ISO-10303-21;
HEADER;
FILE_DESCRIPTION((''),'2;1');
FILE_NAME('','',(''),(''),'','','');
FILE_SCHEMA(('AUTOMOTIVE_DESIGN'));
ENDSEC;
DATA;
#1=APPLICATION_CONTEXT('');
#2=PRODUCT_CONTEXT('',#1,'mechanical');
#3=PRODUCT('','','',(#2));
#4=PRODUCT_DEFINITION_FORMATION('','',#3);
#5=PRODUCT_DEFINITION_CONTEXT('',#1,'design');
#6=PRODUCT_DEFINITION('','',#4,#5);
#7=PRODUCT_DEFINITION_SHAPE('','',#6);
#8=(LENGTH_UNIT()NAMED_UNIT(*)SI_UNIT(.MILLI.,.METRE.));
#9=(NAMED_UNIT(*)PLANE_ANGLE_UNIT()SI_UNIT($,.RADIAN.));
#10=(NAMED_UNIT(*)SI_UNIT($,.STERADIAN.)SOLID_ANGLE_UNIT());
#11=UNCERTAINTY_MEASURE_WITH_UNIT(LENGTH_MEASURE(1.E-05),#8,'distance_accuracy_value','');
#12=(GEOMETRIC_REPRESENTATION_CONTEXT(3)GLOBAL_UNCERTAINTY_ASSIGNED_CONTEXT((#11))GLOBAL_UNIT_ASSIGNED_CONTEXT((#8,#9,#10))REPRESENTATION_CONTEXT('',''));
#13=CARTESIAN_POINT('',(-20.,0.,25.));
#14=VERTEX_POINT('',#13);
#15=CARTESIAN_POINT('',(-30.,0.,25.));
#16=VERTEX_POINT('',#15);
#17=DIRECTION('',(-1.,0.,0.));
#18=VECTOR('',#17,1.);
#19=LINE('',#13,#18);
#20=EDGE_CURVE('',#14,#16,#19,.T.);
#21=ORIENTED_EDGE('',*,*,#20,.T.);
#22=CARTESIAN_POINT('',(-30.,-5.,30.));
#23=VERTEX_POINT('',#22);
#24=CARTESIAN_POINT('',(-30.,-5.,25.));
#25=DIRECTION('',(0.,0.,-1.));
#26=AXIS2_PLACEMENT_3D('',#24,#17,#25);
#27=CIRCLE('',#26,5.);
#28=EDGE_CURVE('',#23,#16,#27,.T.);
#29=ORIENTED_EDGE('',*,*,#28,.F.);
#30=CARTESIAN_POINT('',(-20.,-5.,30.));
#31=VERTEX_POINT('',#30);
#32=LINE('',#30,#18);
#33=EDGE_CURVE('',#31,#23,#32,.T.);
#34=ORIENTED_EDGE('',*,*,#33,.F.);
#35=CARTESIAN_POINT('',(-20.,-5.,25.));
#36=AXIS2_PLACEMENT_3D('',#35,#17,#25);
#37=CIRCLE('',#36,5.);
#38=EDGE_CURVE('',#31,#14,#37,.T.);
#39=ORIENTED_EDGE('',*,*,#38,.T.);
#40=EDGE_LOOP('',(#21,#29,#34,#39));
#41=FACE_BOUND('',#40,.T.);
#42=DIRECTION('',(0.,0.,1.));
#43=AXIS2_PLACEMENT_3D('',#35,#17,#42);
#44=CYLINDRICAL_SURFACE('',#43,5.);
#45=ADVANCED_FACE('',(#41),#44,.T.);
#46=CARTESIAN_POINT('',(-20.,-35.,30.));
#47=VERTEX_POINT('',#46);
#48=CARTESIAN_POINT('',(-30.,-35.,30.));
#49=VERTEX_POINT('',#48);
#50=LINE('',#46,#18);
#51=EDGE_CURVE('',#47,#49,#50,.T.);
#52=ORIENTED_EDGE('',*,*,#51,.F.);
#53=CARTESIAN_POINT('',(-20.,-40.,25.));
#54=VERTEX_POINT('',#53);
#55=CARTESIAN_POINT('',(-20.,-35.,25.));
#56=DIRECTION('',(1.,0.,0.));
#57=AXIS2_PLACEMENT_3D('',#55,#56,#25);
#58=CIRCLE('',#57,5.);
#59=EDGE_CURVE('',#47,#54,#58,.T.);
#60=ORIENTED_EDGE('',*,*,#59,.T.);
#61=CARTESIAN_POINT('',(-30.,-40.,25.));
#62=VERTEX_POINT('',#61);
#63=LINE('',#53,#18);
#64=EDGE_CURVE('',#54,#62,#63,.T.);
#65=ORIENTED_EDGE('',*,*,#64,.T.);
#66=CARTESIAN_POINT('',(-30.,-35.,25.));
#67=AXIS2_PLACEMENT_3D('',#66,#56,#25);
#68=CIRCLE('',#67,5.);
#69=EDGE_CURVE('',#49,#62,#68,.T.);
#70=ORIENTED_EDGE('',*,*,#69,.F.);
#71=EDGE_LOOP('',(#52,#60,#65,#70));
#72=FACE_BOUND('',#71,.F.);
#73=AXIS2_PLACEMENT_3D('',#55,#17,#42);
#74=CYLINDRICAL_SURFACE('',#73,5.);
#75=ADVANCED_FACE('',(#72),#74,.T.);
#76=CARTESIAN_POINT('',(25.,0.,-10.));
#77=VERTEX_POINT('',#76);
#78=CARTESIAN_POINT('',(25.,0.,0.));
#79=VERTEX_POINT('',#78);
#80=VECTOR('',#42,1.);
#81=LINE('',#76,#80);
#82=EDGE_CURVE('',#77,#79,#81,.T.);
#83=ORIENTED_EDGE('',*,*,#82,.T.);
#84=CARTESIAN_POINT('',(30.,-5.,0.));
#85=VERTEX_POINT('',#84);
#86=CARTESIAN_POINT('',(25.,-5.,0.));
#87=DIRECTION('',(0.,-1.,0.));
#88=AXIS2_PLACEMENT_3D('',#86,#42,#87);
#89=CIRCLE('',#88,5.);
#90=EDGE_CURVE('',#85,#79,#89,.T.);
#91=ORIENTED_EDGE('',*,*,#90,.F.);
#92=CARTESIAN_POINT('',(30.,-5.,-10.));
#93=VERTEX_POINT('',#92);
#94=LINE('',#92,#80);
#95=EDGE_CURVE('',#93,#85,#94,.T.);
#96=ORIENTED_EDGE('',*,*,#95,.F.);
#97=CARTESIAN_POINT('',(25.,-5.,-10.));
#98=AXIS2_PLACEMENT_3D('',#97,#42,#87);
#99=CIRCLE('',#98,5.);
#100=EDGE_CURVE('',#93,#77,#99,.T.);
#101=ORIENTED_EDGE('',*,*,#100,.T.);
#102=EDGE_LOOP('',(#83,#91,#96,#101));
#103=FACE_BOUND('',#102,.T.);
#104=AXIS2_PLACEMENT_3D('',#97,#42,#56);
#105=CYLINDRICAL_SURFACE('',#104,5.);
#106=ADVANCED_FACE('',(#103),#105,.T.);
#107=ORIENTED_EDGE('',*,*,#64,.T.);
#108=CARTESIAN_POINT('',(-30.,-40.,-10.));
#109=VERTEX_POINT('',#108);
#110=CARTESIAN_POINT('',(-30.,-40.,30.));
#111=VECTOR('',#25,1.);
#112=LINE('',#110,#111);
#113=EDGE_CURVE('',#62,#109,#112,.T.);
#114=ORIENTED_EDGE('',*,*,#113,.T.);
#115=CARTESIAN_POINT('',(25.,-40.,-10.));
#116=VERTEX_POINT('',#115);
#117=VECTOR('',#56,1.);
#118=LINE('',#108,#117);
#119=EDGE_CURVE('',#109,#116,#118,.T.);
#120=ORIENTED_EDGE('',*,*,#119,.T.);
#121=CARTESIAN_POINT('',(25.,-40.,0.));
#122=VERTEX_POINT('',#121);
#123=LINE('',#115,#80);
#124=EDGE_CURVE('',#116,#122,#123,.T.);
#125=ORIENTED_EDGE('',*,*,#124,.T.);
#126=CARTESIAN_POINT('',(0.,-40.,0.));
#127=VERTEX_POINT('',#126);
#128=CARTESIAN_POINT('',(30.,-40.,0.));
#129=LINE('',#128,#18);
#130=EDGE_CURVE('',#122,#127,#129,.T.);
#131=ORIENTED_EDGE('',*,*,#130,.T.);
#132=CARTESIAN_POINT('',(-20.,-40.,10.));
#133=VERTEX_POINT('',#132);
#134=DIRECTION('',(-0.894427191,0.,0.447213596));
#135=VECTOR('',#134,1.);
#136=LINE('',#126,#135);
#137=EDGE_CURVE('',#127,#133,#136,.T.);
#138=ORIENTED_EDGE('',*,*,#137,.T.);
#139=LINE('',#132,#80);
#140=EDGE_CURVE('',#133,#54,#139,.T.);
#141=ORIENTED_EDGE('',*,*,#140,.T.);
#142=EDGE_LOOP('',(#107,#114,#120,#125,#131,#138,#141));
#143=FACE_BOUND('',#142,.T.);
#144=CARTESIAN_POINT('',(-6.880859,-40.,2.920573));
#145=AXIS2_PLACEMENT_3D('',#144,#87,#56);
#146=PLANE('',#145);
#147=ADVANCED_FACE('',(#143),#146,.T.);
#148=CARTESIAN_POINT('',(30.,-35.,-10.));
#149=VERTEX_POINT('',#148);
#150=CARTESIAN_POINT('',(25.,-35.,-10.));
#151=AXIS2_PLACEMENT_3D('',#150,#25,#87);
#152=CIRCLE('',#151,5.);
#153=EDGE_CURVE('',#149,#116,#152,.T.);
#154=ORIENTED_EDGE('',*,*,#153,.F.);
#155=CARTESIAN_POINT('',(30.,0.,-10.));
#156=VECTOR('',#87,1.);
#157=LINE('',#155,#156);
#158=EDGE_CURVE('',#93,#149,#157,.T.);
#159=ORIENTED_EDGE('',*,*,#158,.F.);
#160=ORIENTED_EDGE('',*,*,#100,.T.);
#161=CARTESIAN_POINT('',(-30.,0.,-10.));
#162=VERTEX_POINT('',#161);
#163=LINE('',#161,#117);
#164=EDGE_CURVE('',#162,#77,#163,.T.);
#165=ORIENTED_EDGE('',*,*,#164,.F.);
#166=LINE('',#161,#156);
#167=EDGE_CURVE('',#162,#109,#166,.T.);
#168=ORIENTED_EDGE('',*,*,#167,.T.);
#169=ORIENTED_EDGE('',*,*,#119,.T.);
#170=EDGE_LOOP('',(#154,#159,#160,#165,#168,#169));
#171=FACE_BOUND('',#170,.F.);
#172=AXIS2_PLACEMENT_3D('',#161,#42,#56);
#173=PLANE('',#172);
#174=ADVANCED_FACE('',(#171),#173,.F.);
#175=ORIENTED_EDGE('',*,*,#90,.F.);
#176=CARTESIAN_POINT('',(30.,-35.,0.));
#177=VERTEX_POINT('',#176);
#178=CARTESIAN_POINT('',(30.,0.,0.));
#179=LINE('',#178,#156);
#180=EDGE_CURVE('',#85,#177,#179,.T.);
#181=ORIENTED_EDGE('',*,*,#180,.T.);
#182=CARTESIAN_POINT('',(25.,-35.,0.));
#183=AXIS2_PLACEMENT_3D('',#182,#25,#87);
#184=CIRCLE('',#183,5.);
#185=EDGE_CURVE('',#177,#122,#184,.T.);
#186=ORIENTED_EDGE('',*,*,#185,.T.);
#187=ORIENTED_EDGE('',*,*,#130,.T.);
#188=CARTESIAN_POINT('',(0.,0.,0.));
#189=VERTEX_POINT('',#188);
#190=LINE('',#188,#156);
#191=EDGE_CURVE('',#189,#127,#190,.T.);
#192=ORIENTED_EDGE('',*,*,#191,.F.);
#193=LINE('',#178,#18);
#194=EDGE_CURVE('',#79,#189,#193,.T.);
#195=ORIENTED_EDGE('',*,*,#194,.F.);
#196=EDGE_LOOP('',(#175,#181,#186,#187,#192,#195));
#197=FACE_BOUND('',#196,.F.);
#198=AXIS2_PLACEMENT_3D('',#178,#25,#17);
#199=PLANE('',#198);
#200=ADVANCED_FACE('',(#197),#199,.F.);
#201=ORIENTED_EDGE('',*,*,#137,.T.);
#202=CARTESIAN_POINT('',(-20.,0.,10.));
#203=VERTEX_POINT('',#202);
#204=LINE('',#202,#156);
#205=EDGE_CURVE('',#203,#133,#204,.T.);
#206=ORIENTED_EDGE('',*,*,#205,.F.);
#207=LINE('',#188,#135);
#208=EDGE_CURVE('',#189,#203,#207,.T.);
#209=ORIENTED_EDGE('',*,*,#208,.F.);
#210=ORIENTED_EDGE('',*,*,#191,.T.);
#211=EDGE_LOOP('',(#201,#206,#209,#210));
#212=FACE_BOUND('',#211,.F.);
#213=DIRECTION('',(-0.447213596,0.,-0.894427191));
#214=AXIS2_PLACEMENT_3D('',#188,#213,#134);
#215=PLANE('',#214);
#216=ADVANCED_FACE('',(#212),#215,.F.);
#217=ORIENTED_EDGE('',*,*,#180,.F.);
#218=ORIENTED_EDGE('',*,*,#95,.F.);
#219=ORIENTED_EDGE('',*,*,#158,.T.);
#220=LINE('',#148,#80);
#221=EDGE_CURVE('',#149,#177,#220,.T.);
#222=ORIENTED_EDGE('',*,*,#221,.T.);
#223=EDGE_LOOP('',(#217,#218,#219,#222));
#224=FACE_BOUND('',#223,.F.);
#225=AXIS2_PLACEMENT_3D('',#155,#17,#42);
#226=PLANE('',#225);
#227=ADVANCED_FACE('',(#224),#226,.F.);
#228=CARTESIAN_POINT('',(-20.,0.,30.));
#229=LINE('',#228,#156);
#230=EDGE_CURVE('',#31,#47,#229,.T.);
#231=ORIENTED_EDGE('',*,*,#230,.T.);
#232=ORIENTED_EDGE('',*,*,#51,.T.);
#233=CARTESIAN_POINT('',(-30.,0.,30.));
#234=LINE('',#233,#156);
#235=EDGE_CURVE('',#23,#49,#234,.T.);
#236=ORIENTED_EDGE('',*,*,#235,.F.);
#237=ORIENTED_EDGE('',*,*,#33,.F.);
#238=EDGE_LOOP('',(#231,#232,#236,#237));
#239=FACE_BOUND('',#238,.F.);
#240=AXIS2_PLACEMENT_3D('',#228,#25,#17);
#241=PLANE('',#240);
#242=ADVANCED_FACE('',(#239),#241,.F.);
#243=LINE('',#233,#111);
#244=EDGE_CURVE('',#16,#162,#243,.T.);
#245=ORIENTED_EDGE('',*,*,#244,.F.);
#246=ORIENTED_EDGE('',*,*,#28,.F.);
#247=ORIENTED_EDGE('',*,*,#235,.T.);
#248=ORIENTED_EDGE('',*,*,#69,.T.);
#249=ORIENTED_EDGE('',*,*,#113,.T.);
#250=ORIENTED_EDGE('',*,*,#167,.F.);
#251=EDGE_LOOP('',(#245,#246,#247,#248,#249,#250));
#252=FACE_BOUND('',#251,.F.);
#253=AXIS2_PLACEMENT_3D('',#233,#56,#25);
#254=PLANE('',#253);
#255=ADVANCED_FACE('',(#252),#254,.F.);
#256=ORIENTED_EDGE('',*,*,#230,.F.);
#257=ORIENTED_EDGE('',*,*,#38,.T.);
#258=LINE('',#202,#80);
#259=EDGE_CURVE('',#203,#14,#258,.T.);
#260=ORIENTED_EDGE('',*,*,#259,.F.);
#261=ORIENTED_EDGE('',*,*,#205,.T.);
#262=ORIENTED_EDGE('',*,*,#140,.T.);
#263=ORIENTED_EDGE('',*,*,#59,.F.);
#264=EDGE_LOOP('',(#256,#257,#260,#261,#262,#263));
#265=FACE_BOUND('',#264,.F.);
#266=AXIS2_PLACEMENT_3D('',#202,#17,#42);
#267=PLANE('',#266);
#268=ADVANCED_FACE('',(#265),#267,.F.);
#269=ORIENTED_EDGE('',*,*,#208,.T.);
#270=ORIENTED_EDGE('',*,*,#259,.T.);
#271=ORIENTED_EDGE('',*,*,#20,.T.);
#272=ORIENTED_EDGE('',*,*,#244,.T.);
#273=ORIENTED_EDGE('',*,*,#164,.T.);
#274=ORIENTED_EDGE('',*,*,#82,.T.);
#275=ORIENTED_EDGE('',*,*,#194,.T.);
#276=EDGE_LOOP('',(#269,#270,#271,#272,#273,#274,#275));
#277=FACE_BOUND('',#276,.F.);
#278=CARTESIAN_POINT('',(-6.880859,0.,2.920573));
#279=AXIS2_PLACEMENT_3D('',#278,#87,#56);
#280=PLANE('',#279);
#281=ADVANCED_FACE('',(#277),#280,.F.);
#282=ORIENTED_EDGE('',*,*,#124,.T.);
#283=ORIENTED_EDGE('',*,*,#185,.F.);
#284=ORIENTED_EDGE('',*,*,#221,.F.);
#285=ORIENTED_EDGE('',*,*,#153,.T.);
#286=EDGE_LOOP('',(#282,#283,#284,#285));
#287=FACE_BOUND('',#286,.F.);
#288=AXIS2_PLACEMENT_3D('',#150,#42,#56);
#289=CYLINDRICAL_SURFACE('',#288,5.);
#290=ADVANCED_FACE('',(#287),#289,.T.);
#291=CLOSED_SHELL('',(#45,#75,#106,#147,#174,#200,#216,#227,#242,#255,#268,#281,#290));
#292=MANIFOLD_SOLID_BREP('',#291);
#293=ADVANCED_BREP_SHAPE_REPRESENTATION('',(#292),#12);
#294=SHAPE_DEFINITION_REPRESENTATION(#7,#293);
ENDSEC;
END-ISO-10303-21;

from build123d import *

# Parameters (mm, degrees)
F1_DEPTH = 40
F2_R     = 5


with BuildPart() as f1:
    # F0 (on Front) → F1 (new body)
    with BuildSketch(Plane.XZ):
        Polygon((30, 0), (0, 0), (-20, 10), (-20, 30), (-30, 30), (-30, -10), (30, -10), align=None)
    extrude(amount=F1_DEPTH)

    # F2
    f2_edges = [f1.edges().sort_by_distance(p)[0] for p in [
        (30, -40, -5),
        (30, 0, -5),
        (-25, -40, 30),
        (-25, 0, 30),
    ]]
    fillet(f2_edges, radius=F2_R)


solid = f1.part
